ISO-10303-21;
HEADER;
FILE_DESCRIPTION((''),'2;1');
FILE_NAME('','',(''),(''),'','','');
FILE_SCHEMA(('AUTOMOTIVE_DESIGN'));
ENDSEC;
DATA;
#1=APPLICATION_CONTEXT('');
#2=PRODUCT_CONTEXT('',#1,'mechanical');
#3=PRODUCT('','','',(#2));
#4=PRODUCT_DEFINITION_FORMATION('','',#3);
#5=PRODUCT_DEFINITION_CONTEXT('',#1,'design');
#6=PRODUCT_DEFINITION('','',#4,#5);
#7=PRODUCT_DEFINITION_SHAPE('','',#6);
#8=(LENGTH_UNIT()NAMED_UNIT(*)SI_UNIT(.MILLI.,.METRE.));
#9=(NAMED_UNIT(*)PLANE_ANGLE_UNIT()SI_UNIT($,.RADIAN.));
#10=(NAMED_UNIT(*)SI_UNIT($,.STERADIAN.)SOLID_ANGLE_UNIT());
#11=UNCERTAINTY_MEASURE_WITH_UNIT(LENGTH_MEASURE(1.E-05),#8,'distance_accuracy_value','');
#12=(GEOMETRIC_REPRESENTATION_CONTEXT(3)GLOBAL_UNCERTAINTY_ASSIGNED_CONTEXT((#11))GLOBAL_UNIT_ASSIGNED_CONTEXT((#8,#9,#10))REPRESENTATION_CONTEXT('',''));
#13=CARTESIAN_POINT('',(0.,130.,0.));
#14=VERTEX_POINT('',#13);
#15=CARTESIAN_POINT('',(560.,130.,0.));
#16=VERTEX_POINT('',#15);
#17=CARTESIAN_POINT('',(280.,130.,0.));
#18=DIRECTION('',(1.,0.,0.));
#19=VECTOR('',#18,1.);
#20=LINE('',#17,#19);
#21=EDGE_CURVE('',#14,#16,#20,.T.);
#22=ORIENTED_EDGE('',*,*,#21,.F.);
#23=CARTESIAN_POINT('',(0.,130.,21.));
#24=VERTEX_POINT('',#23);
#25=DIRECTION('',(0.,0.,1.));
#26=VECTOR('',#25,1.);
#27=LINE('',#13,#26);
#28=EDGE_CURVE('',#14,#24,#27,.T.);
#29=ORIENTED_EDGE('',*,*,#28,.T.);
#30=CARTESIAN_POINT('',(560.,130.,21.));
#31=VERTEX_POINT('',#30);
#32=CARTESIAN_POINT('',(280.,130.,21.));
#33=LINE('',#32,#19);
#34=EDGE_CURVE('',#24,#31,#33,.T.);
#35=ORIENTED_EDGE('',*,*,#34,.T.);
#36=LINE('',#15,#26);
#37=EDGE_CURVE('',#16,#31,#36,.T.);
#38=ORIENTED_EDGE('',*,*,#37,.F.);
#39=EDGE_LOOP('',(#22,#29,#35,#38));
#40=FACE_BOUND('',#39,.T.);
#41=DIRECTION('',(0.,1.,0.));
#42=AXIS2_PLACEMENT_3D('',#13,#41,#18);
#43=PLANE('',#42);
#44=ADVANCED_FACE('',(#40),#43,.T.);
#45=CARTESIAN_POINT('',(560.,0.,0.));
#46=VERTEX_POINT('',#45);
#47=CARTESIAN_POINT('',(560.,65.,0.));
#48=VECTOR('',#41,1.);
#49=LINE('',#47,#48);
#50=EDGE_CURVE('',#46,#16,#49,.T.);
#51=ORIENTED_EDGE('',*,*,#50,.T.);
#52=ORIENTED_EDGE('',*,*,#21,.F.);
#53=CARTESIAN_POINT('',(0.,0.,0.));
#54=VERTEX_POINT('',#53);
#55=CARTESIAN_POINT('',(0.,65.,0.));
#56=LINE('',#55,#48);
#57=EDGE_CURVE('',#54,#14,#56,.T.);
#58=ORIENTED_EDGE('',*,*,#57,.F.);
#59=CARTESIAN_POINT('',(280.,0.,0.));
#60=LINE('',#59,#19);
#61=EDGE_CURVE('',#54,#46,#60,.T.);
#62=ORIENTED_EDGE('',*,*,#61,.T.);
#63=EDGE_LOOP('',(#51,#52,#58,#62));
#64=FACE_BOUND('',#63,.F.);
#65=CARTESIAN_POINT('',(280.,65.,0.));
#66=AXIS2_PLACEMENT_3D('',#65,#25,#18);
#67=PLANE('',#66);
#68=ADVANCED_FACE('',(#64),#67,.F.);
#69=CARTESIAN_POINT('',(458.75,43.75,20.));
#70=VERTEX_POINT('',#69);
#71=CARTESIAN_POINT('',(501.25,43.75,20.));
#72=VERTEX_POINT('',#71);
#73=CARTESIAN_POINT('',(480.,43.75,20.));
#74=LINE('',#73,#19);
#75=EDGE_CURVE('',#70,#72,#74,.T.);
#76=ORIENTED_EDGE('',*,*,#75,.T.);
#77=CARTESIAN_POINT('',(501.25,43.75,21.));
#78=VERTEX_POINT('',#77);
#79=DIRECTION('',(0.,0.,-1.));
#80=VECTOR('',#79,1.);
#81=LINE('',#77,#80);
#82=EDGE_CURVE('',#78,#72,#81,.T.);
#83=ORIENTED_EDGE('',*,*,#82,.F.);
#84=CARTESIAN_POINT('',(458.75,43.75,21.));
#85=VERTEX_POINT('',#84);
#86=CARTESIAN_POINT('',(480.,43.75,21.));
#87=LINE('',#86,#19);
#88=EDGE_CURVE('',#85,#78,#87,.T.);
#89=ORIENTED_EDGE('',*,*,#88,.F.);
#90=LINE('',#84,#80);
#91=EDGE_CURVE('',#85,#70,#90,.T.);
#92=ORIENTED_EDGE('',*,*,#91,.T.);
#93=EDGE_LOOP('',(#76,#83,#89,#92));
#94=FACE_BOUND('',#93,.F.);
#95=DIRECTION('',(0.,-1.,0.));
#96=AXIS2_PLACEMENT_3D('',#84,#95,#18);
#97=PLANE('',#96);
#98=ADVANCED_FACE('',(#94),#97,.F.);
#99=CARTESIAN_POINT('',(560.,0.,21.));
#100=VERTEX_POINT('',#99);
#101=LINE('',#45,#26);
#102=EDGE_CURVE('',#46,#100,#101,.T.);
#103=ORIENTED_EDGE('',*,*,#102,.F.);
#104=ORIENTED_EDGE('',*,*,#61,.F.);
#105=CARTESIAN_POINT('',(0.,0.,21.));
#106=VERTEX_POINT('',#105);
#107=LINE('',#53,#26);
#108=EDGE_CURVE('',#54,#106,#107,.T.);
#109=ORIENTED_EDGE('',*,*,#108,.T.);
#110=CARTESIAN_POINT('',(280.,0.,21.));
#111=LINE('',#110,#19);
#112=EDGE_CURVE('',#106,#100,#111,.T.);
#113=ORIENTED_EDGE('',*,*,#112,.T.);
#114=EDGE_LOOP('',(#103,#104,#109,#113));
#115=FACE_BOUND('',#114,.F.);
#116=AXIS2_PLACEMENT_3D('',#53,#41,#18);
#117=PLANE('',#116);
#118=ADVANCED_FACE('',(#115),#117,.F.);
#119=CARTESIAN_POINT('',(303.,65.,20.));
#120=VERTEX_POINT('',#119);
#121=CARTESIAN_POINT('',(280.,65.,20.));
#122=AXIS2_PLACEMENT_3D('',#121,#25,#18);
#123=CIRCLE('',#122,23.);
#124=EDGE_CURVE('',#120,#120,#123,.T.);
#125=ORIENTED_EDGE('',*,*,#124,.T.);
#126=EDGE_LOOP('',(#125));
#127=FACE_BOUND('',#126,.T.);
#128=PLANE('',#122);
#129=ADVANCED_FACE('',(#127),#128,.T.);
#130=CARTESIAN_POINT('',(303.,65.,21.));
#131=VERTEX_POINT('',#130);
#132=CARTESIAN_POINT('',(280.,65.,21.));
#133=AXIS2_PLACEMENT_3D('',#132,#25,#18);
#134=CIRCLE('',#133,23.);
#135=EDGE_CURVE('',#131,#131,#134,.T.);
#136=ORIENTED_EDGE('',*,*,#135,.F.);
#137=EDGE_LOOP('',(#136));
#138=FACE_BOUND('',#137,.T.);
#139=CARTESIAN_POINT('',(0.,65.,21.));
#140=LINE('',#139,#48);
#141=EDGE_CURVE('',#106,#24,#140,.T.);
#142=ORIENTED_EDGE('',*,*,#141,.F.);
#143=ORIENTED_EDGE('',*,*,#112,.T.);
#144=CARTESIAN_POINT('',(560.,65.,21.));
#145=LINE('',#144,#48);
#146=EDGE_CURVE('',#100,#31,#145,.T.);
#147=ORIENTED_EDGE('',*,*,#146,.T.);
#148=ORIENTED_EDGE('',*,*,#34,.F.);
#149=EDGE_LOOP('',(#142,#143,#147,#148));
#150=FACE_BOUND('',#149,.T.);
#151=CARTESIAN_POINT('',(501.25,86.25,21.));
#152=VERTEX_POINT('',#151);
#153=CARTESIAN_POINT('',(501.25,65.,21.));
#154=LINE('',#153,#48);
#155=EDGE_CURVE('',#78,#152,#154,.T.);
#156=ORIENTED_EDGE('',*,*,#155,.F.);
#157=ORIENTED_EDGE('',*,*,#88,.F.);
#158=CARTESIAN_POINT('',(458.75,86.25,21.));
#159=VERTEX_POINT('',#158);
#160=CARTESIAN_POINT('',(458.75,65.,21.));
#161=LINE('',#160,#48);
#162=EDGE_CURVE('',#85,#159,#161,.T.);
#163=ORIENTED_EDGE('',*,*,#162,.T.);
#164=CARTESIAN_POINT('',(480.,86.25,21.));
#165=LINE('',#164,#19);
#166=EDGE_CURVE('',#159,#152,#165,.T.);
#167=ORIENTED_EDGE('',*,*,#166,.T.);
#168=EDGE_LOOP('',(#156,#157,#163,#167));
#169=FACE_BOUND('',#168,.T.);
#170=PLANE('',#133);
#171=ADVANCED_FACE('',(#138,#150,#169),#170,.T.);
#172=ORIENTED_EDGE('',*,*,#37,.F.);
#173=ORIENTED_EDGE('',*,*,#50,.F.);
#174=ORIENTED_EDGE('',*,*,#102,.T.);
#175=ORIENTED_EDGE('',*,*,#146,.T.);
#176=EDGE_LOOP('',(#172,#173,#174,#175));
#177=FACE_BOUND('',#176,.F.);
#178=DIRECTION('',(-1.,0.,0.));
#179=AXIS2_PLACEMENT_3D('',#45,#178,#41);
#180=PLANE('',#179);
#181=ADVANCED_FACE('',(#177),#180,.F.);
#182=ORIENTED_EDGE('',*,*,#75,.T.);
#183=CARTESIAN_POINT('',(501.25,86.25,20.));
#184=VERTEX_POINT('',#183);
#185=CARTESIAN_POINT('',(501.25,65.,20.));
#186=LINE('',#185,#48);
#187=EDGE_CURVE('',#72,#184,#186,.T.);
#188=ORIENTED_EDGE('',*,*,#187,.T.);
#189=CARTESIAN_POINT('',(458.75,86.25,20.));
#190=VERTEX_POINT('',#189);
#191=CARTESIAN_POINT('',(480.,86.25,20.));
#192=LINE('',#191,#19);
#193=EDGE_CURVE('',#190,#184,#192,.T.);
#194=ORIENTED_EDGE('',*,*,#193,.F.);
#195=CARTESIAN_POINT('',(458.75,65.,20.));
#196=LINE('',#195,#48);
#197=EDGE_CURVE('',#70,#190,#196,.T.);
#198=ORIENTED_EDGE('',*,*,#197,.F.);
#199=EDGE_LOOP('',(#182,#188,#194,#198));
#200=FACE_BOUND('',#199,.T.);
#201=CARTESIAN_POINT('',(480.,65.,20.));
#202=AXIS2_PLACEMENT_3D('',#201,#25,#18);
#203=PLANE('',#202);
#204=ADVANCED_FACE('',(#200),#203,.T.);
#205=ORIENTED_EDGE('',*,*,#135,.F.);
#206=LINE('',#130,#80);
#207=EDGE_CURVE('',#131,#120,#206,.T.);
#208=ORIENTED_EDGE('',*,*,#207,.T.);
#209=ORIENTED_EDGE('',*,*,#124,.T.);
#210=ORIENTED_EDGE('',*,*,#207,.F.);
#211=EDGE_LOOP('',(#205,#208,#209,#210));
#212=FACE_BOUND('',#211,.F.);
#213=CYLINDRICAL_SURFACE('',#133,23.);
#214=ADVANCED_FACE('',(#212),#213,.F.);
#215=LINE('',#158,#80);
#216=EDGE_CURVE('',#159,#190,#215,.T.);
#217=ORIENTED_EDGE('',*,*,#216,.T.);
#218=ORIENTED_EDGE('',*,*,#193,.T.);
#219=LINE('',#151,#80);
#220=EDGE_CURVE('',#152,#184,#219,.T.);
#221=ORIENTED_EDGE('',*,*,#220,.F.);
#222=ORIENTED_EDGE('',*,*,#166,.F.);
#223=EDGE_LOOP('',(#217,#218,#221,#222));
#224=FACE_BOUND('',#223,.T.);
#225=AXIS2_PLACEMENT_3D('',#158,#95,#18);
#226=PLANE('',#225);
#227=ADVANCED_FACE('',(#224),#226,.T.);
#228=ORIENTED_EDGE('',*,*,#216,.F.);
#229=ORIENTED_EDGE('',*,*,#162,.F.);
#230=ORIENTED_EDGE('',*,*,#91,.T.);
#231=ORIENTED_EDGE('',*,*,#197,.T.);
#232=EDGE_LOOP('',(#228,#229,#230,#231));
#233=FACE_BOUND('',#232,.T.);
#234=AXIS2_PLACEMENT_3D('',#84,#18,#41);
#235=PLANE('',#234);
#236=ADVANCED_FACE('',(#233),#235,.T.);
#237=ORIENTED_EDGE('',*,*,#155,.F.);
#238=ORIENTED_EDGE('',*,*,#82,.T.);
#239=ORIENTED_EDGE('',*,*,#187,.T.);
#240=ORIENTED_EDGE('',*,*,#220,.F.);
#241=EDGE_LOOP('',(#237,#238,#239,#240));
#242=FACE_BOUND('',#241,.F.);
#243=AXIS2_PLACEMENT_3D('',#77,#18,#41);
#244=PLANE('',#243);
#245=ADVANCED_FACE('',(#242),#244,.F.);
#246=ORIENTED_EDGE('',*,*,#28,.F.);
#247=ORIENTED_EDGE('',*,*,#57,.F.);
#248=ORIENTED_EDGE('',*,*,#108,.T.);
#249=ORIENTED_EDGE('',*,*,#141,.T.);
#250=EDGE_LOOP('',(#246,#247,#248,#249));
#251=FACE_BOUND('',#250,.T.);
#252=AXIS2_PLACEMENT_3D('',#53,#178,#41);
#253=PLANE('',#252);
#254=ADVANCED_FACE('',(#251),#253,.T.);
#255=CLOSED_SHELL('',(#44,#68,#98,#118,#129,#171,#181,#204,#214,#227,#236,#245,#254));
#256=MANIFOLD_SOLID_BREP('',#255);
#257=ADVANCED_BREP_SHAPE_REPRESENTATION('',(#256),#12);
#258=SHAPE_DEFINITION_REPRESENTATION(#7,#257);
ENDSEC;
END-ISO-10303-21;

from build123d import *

# Parameters (mm, degrees)
F0_W     = 560
F0_H     = 130
F1_DEPTH = 21
F2_R     = 23
F2_W     = 42.5
F2_H     = 42.5
F3_DEPTH = 1


with BuildPart() as f1:
    # F0 (on Top) → F1 (new body)
    with BuildSketch(Plane.XY):
        with Locations((280, 65)):
            Rectangle(F0_W, F0_H)
    extrude(amount=F1_DEPTH)

    # F2 (on face) → F3 (cut)
    with BuildSketch(Plane.XY.offset(21)):
        with Locations((280, 65)):
            Circle(F2_R)
        with Locations((480, 65)):
            Rectangle(F2_W, F2_H)
    extrude(amount=-F3_DEPTH, mode=Mode.SUBTRACT)


solid = f1.part
